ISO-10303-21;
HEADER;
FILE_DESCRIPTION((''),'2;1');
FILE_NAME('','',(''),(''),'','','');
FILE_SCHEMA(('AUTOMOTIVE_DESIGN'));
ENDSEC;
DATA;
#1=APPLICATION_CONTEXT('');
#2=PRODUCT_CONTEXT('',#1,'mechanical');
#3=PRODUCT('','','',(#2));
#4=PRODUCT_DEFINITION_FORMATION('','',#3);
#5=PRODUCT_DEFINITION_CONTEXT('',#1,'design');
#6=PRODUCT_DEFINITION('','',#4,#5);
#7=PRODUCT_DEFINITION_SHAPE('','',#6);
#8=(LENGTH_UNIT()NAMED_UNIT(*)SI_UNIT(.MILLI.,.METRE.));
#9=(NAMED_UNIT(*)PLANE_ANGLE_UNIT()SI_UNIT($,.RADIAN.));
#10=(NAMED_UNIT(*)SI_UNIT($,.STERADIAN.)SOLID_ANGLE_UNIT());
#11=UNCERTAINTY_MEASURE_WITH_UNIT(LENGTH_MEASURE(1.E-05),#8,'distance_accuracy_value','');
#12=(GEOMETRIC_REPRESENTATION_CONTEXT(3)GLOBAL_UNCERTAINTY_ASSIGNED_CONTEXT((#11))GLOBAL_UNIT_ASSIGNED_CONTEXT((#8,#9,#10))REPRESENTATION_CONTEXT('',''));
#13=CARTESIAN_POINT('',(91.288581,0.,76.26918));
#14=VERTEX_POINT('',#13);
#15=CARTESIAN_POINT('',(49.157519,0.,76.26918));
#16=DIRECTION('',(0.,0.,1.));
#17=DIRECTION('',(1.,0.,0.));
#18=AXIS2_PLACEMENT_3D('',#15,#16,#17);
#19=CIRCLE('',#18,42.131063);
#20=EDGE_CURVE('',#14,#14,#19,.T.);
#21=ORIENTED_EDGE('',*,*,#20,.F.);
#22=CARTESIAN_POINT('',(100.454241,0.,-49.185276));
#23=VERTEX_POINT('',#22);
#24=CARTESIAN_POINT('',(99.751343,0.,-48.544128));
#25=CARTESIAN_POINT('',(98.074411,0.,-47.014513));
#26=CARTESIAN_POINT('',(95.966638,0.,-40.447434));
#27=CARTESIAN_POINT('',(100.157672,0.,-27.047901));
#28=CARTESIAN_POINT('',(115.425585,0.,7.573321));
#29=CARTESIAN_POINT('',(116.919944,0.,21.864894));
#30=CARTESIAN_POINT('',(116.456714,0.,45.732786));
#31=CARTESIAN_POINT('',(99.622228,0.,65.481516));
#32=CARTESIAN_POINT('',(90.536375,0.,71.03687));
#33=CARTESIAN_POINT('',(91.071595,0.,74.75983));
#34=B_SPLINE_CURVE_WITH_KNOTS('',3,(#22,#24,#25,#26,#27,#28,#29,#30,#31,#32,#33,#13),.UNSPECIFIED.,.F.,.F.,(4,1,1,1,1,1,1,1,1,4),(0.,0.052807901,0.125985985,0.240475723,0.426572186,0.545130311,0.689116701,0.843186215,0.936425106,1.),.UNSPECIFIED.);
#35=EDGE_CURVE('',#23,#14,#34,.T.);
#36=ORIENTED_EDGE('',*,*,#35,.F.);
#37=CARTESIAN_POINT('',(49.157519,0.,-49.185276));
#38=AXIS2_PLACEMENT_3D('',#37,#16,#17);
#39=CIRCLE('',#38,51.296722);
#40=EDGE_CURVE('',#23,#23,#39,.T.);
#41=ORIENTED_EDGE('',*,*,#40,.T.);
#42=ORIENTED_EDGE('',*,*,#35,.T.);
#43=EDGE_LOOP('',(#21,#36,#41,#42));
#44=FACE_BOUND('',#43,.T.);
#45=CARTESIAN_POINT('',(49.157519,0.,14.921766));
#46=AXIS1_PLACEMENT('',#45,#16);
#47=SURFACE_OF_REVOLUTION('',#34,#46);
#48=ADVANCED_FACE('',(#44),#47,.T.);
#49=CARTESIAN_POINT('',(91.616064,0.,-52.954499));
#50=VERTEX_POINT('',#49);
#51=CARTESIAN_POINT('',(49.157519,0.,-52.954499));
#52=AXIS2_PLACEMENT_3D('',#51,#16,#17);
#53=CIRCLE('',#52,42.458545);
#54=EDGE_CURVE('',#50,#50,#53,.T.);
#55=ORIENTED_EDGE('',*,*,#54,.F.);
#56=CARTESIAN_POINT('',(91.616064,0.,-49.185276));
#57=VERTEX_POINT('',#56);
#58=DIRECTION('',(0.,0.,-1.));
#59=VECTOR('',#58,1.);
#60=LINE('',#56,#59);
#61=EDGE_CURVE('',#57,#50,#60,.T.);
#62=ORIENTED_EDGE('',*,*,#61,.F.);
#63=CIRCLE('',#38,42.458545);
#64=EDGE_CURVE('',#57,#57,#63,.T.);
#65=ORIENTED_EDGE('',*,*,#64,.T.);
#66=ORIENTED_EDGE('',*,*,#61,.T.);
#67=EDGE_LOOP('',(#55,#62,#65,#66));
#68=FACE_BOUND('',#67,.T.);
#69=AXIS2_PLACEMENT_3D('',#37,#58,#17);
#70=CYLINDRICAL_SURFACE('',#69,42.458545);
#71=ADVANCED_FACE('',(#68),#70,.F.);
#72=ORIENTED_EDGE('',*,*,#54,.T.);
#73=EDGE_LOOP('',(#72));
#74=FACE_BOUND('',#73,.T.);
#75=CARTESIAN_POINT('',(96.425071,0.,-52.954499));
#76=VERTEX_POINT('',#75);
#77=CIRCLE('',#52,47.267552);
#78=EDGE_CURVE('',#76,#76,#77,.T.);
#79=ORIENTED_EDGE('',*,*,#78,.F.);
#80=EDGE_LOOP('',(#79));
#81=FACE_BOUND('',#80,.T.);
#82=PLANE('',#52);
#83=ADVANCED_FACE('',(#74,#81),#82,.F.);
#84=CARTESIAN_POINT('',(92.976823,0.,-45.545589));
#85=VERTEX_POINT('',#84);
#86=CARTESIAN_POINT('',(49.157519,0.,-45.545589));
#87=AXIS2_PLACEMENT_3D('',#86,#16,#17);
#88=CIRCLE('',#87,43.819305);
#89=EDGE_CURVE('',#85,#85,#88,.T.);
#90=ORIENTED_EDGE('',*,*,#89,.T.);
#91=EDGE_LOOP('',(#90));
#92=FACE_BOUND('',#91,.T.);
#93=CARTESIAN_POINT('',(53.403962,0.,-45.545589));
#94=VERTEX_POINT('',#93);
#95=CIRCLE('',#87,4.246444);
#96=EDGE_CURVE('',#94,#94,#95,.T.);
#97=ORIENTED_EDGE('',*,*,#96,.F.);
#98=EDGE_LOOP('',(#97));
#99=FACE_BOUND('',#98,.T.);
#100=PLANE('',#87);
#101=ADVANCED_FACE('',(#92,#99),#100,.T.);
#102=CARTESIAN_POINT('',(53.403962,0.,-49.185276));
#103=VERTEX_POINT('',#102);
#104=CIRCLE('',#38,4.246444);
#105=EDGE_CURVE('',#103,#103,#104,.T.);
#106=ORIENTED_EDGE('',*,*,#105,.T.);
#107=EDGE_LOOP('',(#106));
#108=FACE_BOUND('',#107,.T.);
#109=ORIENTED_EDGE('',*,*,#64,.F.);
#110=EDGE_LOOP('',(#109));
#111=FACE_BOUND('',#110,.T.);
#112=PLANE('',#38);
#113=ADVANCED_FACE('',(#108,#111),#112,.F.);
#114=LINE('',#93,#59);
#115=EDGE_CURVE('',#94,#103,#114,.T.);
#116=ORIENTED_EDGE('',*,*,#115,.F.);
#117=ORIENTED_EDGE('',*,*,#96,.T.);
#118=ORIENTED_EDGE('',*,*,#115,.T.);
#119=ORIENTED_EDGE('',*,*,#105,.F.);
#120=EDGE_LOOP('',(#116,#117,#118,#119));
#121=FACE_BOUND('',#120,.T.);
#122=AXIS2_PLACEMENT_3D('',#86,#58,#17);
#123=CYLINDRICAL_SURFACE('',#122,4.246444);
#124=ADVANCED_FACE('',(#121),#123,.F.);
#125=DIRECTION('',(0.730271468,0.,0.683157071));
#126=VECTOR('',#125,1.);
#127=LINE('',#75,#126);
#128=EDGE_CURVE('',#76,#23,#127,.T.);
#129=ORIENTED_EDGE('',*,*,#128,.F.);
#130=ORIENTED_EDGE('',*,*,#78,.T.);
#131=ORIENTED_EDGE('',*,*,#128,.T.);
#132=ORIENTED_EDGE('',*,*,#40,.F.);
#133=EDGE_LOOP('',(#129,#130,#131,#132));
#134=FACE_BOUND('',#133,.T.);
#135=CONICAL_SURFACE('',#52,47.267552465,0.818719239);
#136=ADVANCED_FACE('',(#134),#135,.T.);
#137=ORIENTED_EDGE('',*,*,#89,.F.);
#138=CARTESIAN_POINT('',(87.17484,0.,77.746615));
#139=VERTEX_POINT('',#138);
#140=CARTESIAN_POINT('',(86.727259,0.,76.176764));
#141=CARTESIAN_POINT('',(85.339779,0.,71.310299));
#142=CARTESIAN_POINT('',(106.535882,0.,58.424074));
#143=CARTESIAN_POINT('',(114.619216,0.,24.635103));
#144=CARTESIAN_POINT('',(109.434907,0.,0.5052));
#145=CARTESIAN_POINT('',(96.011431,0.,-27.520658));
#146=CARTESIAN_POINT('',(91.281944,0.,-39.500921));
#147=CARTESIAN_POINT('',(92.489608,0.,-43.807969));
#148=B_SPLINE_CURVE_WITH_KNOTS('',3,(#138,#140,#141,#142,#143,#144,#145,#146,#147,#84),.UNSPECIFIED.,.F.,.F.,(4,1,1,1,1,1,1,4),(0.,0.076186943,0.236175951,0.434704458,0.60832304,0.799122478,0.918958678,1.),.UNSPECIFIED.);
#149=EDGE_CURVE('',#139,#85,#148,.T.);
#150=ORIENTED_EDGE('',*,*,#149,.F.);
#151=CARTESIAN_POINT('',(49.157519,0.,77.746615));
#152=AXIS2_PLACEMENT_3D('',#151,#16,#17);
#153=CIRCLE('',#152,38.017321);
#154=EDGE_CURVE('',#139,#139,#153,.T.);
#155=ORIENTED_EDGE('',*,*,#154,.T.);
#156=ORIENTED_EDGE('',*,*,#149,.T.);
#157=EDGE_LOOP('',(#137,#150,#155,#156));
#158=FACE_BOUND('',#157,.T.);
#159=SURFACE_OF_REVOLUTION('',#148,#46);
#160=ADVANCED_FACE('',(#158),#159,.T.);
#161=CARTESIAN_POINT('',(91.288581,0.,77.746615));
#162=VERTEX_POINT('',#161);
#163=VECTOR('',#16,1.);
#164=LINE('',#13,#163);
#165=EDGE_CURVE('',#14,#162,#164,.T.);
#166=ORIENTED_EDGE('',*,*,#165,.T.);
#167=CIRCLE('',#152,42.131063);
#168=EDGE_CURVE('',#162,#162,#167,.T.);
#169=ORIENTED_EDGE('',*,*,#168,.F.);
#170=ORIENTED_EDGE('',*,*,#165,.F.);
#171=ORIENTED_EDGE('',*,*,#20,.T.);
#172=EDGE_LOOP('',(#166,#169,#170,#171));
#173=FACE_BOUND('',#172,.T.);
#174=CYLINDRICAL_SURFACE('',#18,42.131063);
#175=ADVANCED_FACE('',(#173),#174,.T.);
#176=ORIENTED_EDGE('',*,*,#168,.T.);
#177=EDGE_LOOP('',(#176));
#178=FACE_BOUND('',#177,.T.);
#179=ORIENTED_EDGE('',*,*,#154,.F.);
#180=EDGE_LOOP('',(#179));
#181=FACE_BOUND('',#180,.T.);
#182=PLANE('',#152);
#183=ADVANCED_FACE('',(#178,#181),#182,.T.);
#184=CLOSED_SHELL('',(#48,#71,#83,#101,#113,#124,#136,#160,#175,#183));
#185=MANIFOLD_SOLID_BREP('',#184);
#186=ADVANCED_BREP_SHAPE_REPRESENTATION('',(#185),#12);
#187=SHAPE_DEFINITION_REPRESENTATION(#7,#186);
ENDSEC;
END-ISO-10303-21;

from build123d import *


with BuildPart() as f1:
    # F0 (on Front) → F1 (revolve)
    with BuildSketch(Plane.XZ):
        with BuildLine():
            Line((91.2885814905, 77.7466148138), (87.1748402715, 77.7466148138))
            add(Edge.make_bspline(
                [(87.1748402715, 77.7466148138), (86.7272591648, 76.1767636607), (85.3397787187, 71.3102986873), (106.5358818794, 58.4240736014), (114.6192162363, 24.6351033184), (109.434907127, 0.5051997251), (96.0114312875, -27.5206584671), (91.2819440813, -39.5009211246), (92.4896078296, -43.8079689406), (92.9768234491, -45.5455891788)],
                knots=[0, 0, 0, 0, 0.0761869429, 0.2361759512, 0.4347044576, 0.60832304, 0.7991224776, 0.9189586781, 1, 1, 1, 1], degree=3))
            Line((92.9768234491, -45.5455891788), (53.4039624035, -45.5455891788))
            Line((53.4039624035, -45.5455891788), (53.4039624035, -49.1852760315))
            Line((53.4039624035, -49.1852760315), (91.6160643101, -49.1852760315))
            Line((91.6160643101, -49.1852760315), (91.6160643101, -52.9544986784))
            Line((91.6160643101, -52.9544986784), (96.4250713587, -52.9544986784))
            Line((96.4250713587, -52.9544986784), (100.4542410374, -49.1852760315))
            add(Edge.make_bspline(
                [(100.4542410374, -49.1852760315), (99.7513433453, -48.5441275234), (98.0744113775, -47.0145131264), (95.9666378949, -40.4474340897), (100.1576717412, -27.0479008604), (115.425585286, 7.5733210085), (116.919944147, 21.8648937938), (116.4567141252, 45.7327860663), (99.622227913, 65.4815161074), (90.53637535, 71.0368696413), (91.0715947301, 74.759830054), (91.2885814905, 76.2691795826)],
                knots=[0, 0, 0, 0, 0.0528079014, 0.1259859849, 0.2404757226, 0.4265721857, 0.545130311, 0.6891167006, 0.8431862147, 0.9364251062, 1, 1, 1, 1], degree=3))
            Line((91.2885814905, 76.2691795826), (91.2885814905, 77.7466148138))
        make_face()
    revolve(axis=Axis((49.1575188935, 0, 14.9217657745), (0, 0, 1)))


solid = f1.part
